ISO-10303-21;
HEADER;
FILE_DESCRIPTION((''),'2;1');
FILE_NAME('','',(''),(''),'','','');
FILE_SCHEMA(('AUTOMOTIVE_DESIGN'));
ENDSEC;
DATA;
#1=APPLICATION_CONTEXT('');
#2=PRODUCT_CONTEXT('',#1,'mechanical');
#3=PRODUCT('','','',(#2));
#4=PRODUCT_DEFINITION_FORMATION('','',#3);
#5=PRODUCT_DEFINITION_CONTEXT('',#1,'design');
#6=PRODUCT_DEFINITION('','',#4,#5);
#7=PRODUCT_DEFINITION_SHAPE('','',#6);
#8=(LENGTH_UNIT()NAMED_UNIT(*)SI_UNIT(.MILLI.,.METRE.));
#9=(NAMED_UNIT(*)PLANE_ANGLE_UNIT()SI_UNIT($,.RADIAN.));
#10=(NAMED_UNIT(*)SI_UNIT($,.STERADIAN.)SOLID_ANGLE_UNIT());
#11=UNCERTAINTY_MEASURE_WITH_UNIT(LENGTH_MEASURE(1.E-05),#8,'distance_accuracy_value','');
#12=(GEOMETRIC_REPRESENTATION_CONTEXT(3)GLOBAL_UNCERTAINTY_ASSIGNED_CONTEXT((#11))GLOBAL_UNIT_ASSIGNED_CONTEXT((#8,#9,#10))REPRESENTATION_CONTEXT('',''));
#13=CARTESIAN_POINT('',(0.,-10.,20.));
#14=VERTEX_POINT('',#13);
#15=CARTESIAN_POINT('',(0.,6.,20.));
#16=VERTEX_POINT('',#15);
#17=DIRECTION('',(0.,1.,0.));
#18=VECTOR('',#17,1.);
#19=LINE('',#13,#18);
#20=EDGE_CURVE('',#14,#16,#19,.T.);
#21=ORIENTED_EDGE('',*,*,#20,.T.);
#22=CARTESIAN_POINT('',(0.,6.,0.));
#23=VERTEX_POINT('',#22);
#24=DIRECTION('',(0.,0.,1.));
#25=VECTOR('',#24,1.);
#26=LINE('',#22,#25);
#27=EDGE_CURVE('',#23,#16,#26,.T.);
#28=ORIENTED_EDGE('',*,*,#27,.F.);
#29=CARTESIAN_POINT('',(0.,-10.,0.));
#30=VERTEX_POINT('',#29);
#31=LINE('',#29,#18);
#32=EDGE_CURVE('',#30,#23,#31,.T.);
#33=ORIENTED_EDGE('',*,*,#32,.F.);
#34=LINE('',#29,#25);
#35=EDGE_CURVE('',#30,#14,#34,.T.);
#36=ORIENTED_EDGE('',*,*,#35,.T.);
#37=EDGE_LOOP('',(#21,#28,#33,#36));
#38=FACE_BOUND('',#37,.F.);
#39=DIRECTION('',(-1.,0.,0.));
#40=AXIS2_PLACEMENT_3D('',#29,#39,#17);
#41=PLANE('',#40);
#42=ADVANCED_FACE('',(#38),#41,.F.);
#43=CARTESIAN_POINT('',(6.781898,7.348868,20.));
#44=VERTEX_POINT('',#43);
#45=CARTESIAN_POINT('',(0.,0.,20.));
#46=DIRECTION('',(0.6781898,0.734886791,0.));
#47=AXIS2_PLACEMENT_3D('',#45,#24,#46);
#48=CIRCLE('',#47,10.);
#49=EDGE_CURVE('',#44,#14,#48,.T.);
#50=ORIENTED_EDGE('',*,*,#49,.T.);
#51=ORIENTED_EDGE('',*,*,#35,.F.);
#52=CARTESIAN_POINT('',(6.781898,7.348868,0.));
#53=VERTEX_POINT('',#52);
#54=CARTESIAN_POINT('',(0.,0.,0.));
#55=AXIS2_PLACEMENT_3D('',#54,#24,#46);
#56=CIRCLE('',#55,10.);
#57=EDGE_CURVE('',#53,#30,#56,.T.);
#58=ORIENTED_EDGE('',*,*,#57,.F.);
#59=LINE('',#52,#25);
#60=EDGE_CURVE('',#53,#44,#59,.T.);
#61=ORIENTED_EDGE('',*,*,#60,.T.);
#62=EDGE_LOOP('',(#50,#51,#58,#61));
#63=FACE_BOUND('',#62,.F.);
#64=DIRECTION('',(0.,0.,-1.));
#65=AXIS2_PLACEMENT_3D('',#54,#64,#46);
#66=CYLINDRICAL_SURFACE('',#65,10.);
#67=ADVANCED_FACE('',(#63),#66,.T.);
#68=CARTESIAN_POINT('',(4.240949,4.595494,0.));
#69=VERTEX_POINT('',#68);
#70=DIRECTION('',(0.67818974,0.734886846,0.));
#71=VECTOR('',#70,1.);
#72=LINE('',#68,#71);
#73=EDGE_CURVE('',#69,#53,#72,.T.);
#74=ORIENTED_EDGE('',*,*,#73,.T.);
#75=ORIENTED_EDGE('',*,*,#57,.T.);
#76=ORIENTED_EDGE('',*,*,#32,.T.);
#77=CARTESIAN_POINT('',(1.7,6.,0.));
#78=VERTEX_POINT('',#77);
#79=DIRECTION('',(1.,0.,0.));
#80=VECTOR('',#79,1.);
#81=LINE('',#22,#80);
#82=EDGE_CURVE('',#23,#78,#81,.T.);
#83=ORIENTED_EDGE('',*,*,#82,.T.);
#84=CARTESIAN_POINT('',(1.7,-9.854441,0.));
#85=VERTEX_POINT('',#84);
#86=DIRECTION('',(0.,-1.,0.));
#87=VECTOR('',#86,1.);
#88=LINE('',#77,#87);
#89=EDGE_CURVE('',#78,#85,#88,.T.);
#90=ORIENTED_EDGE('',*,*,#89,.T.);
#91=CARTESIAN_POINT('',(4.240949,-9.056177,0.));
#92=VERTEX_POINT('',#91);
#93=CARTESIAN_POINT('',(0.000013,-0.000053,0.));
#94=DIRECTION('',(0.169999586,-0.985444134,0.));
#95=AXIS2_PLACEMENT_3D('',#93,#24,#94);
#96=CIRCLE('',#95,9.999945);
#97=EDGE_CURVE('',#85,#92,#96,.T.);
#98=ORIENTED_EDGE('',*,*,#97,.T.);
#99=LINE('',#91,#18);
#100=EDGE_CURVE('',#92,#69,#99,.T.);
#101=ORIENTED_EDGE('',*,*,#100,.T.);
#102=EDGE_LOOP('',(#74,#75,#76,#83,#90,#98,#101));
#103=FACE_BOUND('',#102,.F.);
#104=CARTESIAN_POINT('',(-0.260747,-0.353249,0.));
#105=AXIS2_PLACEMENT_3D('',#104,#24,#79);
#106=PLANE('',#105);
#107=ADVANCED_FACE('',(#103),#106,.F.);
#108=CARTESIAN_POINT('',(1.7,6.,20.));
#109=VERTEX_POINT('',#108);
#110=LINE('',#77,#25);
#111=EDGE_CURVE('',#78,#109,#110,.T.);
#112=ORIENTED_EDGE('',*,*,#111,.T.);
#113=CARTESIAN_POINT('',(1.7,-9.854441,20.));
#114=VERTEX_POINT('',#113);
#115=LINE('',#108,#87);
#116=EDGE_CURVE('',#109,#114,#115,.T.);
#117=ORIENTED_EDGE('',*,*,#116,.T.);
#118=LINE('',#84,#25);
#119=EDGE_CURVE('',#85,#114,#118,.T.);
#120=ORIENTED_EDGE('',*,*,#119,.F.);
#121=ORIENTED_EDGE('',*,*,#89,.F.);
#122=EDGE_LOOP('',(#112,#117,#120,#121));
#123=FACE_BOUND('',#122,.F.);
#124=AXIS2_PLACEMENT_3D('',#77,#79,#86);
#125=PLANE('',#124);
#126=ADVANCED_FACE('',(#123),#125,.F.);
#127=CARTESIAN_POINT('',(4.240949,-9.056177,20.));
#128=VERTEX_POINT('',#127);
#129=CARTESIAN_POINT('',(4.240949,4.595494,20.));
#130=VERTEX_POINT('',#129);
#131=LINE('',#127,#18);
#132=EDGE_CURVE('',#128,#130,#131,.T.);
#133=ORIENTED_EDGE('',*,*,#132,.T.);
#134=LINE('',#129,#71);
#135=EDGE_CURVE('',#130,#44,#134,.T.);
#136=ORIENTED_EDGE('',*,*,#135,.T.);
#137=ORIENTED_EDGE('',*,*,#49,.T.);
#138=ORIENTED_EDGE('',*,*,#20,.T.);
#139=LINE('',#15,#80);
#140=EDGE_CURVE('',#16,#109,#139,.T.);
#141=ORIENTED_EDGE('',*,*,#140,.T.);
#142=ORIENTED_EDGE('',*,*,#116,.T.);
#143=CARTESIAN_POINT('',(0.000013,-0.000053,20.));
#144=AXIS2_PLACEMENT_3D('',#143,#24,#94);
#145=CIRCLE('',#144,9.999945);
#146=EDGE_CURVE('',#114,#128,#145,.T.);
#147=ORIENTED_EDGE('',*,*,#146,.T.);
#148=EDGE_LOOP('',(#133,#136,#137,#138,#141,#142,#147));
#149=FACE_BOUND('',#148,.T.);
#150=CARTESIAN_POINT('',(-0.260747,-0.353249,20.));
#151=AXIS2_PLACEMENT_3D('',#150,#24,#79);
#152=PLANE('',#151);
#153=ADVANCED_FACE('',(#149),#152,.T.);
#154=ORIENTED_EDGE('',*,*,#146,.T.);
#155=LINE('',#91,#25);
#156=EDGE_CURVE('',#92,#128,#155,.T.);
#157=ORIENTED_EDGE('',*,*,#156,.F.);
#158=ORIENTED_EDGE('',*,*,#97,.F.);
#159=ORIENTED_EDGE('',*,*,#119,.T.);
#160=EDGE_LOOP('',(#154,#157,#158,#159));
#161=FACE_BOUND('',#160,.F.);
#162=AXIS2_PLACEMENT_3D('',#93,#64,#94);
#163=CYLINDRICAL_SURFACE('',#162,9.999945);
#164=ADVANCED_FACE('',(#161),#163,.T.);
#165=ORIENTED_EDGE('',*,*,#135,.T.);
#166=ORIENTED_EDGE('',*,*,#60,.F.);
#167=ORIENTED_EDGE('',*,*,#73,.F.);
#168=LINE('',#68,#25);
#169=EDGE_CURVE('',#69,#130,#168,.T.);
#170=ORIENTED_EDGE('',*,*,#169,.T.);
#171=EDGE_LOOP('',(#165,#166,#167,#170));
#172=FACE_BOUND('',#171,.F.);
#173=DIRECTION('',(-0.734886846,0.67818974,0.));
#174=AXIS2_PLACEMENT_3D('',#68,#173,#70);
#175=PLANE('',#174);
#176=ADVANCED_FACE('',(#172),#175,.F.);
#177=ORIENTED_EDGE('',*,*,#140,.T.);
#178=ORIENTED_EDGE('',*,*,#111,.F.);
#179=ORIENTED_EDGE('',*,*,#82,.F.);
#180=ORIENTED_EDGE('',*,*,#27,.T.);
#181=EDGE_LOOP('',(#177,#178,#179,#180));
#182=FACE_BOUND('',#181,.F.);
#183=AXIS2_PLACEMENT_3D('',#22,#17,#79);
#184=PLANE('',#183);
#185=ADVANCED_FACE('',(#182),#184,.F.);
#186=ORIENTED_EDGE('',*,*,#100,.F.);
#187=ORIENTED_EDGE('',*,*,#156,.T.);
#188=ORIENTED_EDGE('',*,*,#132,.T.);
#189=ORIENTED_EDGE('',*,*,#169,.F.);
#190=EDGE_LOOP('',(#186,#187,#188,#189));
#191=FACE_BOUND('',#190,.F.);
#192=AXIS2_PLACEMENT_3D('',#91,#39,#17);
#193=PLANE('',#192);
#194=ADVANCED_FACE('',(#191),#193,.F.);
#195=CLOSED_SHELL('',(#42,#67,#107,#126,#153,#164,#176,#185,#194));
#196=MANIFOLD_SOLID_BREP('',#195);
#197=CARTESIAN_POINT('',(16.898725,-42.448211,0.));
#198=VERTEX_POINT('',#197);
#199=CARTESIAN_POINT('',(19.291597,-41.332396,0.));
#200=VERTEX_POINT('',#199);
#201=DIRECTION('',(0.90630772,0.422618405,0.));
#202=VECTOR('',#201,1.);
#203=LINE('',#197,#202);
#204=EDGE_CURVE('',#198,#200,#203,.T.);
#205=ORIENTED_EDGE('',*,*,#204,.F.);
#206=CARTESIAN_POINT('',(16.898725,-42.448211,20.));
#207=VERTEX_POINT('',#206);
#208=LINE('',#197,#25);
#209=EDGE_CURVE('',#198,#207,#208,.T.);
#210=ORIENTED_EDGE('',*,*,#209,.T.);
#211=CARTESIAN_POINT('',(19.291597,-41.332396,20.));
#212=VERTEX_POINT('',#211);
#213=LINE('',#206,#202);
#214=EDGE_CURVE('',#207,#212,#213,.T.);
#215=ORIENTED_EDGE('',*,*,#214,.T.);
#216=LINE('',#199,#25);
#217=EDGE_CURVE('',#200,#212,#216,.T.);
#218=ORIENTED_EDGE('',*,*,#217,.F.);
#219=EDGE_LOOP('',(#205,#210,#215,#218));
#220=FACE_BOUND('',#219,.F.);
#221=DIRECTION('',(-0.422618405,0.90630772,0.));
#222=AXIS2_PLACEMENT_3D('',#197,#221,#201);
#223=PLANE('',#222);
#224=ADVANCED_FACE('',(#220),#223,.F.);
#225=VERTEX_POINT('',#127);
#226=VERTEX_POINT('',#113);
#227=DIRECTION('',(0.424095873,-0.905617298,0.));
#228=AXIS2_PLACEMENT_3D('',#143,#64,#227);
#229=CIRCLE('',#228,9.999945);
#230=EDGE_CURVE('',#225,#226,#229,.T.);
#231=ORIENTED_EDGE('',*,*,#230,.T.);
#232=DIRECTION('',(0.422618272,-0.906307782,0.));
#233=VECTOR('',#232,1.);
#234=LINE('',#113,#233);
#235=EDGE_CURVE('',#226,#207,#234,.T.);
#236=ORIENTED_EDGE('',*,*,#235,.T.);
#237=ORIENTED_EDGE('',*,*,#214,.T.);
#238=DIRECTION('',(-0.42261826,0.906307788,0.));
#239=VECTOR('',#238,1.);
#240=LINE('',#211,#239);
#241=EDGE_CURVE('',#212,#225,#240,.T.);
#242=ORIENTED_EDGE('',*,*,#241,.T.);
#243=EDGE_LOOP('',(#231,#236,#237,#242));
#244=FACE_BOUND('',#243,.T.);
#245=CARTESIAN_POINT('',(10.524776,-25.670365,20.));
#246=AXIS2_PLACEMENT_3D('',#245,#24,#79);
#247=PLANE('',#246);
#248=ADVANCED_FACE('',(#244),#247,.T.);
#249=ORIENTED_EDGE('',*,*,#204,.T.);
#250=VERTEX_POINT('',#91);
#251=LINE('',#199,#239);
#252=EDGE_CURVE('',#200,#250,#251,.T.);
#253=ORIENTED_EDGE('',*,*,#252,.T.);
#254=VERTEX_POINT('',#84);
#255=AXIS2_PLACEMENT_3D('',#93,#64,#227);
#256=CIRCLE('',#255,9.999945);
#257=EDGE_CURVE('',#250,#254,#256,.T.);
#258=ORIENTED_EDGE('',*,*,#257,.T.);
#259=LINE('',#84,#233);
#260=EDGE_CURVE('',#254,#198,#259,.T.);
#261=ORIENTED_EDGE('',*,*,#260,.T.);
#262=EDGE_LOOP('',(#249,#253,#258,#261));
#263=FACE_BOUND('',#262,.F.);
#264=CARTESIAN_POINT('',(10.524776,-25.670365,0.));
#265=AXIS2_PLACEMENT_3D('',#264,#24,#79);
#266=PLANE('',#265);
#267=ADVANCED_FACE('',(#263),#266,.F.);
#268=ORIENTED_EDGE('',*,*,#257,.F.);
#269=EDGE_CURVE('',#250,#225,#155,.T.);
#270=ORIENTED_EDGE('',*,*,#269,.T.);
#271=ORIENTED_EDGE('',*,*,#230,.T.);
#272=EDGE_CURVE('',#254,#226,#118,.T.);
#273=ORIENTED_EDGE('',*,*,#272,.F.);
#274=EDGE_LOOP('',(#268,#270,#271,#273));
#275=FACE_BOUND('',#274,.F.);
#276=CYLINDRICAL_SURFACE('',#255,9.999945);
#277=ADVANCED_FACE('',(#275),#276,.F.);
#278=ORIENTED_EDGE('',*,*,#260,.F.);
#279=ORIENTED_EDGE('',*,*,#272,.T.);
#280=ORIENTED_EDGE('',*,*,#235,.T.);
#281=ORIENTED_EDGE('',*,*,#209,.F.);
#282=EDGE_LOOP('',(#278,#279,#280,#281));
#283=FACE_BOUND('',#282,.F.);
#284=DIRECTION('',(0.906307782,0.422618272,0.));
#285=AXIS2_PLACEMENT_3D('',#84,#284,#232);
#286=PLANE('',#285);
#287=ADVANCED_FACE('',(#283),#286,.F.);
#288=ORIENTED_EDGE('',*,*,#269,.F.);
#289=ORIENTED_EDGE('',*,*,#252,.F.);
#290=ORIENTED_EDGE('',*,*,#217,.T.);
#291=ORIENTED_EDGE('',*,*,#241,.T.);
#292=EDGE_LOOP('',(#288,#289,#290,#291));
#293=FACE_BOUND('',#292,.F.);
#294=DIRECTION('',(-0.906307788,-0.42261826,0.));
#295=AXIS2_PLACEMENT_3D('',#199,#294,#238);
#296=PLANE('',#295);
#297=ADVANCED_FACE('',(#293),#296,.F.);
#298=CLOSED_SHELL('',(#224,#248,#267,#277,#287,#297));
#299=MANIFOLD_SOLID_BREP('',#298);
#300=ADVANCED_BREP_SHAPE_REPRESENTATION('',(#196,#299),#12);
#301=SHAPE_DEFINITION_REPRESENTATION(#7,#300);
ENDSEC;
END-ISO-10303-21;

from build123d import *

# Parameters (mm, degrees)
F1_DEPTH = 20
F2_DEPTH = 20


with BuildPart() as f1:
    # F0 (on Top) → F1 (new body)
    with BuildSketch(Plane.XY):
        with BuildLine():
            Line((19.291597, -41.332396), (4.240949, -9.056177))
            ThreePointArc((4.240949, -9.056177), (2.99717, -9.540282), (1.7, -9.854441))
            Line((1.7, -9.854441), (16.898725, -42.448211))
            Line((16.898725, -42.448211), (19.291597, -41.332396))
        make_face()
    extrude(amount=F1_DEPTH)


with BuildPart() as f2:
    # F0 (on Top) → F2 (new body)
    with BuildSketch(Plane.XY):
        with BuildLine():
            Line((4.240949, 4.595494), (6.781898, 7.348868))
            ThreePointArc((6.781898, 7.348868), (-9.313664, 3.640833), (0, -10))
            Line((0, -10), (0, 6))
            Line((0, 6), (1.7, 6))
            Line((1.7, 6), (1.7, -9.854441))
            ThreePointArc((1.7, -9.854441), (2.99717, -9.540282), (4.240949, -9.056177))
            Line((4.240949, -9.056177), (4.240949, 4.595494))
        make_face()
    extrude(amount=F2_DEPTH)


solid = Compound([f1.part, f2.part])
